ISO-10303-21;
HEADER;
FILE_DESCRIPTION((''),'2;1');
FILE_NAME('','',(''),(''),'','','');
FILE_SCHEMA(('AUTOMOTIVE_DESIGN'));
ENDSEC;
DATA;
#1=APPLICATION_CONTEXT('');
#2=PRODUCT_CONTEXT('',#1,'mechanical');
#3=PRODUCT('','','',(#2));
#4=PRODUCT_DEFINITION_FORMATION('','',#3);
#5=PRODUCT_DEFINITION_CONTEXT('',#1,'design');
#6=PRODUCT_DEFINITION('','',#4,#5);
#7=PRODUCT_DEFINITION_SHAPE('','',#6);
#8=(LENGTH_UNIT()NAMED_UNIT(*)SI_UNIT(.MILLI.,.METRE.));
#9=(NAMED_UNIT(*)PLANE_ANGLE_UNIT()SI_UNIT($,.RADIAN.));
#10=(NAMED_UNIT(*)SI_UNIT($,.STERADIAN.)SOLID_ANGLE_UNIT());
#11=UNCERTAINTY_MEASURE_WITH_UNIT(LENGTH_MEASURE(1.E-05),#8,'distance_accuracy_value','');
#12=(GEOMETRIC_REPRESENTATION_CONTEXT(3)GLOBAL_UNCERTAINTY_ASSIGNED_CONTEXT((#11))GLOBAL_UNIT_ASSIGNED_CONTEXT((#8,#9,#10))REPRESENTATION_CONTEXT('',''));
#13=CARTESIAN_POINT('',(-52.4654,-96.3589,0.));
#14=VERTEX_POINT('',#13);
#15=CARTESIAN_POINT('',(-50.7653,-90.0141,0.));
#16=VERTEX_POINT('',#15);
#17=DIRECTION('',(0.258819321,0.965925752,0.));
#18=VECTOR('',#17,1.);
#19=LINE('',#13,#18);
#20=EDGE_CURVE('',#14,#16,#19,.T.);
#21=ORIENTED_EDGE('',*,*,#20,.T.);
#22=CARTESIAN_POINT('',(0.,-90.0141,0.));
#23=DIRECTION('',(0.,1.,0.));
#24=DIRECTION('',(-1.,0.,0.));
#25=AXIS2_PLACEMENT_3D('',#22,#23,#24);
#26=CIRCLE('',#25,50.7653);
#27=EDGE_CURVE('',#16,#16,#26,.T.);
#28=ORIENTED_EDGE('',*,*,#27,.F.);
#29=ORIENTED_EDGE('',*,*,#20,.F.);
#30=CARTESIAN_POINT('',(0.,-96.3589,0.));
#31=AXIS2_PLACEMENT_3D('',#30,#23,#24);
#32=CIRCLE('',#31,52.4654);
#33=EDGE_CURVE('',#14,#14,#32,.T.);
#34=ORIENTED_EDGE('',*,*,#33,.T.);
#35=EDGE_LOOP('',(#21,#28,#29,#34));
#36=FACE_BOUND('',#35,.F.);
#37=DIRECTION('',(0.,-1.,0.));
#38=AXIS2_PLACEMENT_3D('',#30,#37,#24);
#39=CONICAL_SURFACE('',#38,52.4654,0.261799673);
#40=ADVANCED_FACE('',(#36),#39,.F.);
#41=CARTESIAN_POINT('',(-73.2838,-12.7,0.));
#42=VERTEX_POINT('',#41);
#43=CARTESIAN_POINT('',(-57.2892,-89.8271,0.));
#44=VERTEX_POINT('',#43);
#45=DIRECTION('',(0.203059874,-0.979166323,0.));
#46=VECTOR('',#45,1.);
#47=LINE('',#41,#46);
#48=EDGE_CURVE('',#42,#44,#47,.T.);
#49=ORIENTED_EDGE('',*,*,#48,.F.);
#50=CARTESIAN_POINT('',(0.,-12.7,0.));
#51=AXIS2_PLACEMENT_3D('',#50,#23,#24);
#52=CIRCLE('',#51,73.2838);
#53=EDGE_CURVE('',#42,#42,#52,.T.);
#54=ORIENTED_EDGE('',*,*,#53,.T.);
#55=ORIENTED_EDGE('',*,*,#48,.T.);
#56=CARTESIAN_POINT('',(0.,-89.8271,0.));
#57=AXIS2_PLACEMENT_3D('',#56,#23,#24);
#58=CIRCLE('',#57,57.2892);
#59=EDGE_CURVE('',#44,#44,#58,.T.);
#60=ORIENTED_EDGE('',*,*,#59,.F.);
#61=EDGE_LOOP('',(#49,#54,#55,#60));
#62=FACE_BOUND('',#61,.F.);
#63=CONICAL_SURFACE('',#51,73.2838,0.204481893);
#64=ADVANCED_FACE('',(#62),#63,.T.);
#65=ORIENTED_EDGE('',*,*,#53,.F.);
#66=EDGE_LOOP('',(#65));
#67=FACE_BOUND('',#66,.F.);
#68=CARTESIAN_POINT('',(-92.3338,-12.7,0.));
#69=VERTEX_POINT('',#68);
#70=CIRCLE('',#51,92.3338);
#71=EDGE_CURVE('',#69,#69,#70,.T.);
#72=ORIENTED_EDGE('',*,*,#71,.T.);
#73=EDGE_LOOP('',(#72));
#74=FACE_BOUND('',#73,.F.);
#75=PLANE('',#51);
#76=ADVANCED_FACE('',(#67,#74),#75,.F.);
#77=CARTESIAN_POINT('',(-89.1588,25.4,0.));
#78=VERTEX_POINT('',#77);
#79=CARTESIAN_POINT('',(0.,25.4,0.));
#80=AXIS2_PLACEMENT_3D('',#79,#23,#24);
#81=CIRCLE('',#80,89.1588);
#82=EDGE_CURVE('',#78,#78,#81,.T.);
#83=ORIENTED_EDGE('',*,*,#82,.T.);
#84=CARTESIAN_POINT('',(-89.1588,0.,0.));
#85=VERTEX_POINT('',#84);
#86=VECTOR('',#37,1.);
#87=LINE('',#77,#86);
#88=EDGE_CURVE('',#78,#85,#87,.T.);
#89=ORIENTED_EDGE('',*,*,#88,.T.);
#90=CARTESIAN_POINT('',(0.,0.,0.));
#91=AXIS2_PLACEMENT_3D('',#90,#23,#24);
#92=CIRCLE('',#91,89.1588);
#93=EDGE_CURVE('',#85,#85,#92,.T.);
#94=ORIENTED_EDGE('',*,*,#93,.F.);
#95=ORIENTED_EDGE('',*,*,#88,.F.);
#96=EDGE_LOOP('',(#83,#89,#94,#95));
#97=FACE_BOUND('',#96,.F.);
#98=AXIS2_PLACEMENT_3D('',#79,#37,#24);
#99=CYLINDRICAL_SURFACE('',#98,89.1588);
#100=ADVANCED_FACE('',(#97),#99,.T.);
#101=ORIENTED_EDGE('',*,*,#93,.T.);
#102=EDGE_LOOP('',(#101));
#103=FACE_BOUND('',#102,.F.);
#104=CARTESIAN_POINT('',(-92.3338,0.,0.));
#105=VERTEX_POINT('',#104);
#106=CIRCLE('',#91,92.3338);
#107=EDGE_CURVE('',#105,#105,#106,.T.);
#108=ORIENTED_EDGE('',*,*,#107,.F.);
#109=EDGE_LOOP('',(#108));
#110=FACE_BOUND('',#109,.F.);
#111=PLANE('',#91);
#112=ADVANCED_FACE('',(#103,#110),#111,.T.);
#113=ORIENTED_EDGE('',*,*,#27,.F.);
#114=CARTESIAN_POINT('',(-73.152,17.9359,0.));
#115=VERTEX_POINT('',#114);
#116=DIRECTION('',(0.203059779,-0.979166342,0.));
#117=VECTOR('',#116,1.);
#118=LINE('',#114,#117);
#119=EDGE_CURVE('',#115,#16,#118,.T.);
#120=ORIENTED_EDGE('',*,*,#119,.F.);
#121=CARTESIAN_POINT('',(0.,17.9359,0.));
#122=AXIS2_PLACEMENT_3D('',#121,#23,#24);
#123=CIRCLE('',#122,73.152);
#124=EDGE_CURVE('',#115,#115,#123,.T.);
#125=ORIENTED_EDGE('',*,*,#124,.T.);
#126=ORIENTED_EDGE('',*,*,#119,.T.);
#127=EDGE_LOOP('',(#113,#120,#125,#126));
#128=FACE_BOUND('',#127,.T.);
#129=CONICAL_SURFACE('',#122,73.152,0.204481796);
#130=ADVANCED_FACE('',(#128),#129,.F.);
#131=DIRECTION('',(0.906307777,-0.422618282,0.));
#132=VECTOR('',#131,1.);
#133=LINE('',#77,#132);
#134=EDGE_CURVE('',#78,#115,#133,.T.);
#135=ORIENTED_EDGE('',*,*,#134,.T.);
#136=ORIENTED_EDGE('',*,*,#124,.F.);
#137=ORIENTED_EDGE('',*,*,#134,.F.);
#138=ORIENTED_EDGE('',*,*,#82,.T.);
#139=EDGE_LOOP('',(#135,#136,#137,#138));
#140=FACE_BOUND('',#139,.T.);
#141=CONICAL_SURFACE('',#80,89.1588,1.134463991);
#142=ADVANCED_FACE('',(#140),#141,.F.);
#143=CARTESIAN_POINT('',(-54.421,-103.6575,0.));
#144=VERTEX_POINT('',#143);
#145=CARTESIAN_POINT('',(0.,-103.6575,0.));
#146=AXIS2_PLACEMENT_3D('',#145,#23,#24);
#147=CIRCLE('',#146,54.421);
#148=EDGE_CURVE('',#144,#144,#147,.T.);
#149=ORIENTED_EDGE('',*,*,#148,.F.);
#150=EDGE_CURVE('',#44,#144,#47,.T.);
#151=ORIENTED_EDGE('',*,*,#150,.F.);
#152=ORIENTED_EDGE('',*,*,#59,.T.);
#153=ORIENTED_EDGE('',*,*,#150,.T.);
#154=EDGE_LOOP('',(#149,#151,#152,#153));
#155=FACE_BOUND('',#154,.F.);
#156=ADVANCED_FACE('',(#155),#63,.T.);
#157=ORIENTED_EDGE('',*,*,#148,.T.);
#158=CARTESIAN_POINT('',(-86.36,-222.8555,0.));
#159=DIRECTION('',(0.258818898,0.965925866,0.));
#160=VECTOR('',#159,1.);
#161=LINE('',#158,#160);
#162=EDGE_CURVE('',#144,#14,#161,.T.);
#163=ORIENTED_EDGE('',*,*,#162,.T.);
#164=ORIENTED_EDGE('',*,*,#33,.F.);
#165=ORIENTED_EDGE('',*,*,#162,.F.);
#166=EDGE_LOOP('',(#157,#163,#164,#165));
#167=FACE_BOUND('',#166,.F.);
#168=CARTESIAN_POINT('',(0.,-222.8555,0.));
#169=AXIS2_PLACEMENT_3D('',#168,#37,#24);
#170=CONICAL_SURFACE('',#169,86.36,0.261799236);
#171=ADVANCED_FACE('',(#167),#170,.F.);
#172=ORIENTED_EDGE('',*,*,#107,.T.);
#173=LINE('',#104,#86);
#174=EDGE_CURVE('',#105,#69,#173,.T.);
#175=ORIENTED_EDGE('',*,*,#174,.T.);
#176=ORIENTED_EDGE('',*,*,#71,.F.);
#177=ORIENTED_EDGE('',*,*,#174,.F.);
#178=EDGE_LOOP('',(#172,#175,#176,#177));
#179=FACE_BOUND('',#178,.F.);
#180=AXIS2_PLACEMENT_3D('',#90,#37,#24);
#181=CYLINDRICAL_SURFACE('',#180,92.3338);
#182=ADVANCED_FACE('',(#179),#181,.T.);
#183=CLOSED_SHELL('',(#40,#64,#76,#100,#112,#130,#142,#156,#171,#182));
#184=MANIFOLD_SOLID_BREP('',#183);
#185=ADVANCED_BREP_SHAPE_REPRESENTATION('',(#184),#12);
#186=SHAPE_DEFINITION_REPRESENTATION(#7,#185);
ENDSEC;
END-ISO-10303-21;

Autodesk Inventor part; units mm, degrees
ref_plane "YZ Plane" through (0, 0, 0) normal (1, 0, 0) x (0, 1, 0)
ref_plane "XZ Plane" through (0, 0, 0) normal (0, 1, 0) x (-1, 0, 0)
ref_plane "XY Plane" through (0, 0, 0) normal (0, 0, 1) x (1, 0, 0)
sketch "Sketch1" plane through (0, 0, 0) normal (0, 0, 1) x (1, 0, 0)
  line L0 (0, 25.4) -> (-28.702, 25.4) construction
  line L1 (0, 25.4) -> (-95.25, 25.4) construction
  line L2 (-95.25, 25.4) -> (-89.1588, 25.4) construction
  line L3 (-89.1588, 25.4) -> (-85.693, 23.7839) construction
  line L4 (-89.1588, 25.4) -> (-89.1588, 21.1626) construction
  line L5 (-89.1588, 0) -> (-92.3338, 0)
  line L6 (-28.702, 59.6457) -> (-28.702, -91.9304) construction
  arc A0 (-28.9184, -8.4804) -> (-32.3684, -1.0818) centre (-35.052, -6.8369) ccw
  line L7 (-89.1588, 25.4) -> (-89.1588, 0)
  line L8 (-89.1588, 25.4) -> (-32.3684, -1.0818)
  line L9 (-28.9184, -8.4804) -> (-28.9392, -8.5583)
  line L10 (0, -319.0244) -> (0, 122.7573) projected
  line L11 (-73.152, 17.9359) -> (-28.702, 17.9359) construction
  line L12 (-89.1588, 0) -> (-92.3338, 0)
  line L13 (11.4547, -6.8369) -> (-136.2084, -6.8369) construction
  line L14 (-57.2892, -89.8271) -> (-74.8171, -155.2422)
  line L15 (-92.3338, -12.7) -> (-73.2838, -12.7)
  line L16 (-73.2838, -12.7) -> (-54.421, -103.6575)
  line L17 (-74.8171, -155.2422) -> (-68.2431, -155.2422)
  line L18 (-92.3338, -25.4) -> (-79.6338, -25.4)
  line L19 (-79.6338, -25.4) -> (-79.6338, -57.15)
  line L20 (-79.6338, -57.15) -> (-72.991, -88.4936)
  line L21 (-92.3338, 0) -> (-92.3338, -25.4)
  line L22 (-86.3902, -25.4) -> (-86.3902, -31.3436)
  line L23 (-86.3902, -31.3436) -> (-92.3338, -31.3436)
  line L24 (-92.3338, -31.3436) -> (-92.3338, -56.7436)
  line L25 (-92.3338, -56.7436) -> (-79.6338, -56.7436)
  line L26 (-73.152, 17.9359) -> (-32.3684, -1.0818)
  line L27 (-73.152, 17.9359) -> (-50.7653, -90.0141)
  line L28 (-50.7653, -90.0141) -> (-28.9184, -8.4804)
  line L29 (-52.4654, -96.3589) -> (-28.9184, -8.4804)
  line L30 (-86.36, -222.8555) -> (-28.9184, -8.4804)
  line L31 (-72.991, -88.4936) -> (-89.535, -222.8555)
  line L32 (-89.535, -222.8555) -> (-86.36, -222.8555)
  line L33 (-54.421, -103.6575) -> (-50.7653, -90.0141)
  line L34 (-73.152, 17.9359) -> (-89.1588, 25.4)
  line L35 (-89.1588, 0) -> (-89.1588, 25.4)
  line L36 (-89.1588, 0) -> (-92.3338, 0)
  line L37 (-92.3338, -12.7) -> (-73.2838, -12.7)
  line L38 (-73.2838, -12.7) -> (-54.421, -103.6575)
  line L39 (-92.3338, -12.7) -> (-92.3338, 0)
  point P0 (0, 0)
  point P1 (-95.25, -255.9127)
  point P2 (-88.7095, 22.4389)
  dimension "d0" = 28.702
  dimension "d3" = 25
  dimension "d5" = 25.4
  dimension "d6" = 25.4
  dimension "d8" = 12.7
  dimension "d34" = 15
  dimension "d37" = 44.45
  dimension "d46" = 19.05
  dimension "d47" = 12.7
  dimension "d55" = 12.7
  dimension "d56" = 31.75
  dimension "d58" = 0.25
  dimension "d60" = 12.7
  dimension "d61" = 25.4
  dimension "d62" = 5.9436
  dimension "d63" = 5.9436
  dimension "d64" = 3.175
  dimension "d68" = 107.95
  dimension "d69" = 6.35
  dimension "d70" = 6.35
  dimension "d71" = 3.175
  dimension "d73" = 86.36
  dimension "d74" = 31.75
  dimension "d75" = 6.3448
revolve "Revolution3" add sketch "Sketch1" angle 360 about axis through (0, -10, 0) along (0, 1, 0) contours L7 L8 L27 L29 L30 L16 L15 L21 L5
properties part number "phenolic_top" material "Phenolic Resin"
